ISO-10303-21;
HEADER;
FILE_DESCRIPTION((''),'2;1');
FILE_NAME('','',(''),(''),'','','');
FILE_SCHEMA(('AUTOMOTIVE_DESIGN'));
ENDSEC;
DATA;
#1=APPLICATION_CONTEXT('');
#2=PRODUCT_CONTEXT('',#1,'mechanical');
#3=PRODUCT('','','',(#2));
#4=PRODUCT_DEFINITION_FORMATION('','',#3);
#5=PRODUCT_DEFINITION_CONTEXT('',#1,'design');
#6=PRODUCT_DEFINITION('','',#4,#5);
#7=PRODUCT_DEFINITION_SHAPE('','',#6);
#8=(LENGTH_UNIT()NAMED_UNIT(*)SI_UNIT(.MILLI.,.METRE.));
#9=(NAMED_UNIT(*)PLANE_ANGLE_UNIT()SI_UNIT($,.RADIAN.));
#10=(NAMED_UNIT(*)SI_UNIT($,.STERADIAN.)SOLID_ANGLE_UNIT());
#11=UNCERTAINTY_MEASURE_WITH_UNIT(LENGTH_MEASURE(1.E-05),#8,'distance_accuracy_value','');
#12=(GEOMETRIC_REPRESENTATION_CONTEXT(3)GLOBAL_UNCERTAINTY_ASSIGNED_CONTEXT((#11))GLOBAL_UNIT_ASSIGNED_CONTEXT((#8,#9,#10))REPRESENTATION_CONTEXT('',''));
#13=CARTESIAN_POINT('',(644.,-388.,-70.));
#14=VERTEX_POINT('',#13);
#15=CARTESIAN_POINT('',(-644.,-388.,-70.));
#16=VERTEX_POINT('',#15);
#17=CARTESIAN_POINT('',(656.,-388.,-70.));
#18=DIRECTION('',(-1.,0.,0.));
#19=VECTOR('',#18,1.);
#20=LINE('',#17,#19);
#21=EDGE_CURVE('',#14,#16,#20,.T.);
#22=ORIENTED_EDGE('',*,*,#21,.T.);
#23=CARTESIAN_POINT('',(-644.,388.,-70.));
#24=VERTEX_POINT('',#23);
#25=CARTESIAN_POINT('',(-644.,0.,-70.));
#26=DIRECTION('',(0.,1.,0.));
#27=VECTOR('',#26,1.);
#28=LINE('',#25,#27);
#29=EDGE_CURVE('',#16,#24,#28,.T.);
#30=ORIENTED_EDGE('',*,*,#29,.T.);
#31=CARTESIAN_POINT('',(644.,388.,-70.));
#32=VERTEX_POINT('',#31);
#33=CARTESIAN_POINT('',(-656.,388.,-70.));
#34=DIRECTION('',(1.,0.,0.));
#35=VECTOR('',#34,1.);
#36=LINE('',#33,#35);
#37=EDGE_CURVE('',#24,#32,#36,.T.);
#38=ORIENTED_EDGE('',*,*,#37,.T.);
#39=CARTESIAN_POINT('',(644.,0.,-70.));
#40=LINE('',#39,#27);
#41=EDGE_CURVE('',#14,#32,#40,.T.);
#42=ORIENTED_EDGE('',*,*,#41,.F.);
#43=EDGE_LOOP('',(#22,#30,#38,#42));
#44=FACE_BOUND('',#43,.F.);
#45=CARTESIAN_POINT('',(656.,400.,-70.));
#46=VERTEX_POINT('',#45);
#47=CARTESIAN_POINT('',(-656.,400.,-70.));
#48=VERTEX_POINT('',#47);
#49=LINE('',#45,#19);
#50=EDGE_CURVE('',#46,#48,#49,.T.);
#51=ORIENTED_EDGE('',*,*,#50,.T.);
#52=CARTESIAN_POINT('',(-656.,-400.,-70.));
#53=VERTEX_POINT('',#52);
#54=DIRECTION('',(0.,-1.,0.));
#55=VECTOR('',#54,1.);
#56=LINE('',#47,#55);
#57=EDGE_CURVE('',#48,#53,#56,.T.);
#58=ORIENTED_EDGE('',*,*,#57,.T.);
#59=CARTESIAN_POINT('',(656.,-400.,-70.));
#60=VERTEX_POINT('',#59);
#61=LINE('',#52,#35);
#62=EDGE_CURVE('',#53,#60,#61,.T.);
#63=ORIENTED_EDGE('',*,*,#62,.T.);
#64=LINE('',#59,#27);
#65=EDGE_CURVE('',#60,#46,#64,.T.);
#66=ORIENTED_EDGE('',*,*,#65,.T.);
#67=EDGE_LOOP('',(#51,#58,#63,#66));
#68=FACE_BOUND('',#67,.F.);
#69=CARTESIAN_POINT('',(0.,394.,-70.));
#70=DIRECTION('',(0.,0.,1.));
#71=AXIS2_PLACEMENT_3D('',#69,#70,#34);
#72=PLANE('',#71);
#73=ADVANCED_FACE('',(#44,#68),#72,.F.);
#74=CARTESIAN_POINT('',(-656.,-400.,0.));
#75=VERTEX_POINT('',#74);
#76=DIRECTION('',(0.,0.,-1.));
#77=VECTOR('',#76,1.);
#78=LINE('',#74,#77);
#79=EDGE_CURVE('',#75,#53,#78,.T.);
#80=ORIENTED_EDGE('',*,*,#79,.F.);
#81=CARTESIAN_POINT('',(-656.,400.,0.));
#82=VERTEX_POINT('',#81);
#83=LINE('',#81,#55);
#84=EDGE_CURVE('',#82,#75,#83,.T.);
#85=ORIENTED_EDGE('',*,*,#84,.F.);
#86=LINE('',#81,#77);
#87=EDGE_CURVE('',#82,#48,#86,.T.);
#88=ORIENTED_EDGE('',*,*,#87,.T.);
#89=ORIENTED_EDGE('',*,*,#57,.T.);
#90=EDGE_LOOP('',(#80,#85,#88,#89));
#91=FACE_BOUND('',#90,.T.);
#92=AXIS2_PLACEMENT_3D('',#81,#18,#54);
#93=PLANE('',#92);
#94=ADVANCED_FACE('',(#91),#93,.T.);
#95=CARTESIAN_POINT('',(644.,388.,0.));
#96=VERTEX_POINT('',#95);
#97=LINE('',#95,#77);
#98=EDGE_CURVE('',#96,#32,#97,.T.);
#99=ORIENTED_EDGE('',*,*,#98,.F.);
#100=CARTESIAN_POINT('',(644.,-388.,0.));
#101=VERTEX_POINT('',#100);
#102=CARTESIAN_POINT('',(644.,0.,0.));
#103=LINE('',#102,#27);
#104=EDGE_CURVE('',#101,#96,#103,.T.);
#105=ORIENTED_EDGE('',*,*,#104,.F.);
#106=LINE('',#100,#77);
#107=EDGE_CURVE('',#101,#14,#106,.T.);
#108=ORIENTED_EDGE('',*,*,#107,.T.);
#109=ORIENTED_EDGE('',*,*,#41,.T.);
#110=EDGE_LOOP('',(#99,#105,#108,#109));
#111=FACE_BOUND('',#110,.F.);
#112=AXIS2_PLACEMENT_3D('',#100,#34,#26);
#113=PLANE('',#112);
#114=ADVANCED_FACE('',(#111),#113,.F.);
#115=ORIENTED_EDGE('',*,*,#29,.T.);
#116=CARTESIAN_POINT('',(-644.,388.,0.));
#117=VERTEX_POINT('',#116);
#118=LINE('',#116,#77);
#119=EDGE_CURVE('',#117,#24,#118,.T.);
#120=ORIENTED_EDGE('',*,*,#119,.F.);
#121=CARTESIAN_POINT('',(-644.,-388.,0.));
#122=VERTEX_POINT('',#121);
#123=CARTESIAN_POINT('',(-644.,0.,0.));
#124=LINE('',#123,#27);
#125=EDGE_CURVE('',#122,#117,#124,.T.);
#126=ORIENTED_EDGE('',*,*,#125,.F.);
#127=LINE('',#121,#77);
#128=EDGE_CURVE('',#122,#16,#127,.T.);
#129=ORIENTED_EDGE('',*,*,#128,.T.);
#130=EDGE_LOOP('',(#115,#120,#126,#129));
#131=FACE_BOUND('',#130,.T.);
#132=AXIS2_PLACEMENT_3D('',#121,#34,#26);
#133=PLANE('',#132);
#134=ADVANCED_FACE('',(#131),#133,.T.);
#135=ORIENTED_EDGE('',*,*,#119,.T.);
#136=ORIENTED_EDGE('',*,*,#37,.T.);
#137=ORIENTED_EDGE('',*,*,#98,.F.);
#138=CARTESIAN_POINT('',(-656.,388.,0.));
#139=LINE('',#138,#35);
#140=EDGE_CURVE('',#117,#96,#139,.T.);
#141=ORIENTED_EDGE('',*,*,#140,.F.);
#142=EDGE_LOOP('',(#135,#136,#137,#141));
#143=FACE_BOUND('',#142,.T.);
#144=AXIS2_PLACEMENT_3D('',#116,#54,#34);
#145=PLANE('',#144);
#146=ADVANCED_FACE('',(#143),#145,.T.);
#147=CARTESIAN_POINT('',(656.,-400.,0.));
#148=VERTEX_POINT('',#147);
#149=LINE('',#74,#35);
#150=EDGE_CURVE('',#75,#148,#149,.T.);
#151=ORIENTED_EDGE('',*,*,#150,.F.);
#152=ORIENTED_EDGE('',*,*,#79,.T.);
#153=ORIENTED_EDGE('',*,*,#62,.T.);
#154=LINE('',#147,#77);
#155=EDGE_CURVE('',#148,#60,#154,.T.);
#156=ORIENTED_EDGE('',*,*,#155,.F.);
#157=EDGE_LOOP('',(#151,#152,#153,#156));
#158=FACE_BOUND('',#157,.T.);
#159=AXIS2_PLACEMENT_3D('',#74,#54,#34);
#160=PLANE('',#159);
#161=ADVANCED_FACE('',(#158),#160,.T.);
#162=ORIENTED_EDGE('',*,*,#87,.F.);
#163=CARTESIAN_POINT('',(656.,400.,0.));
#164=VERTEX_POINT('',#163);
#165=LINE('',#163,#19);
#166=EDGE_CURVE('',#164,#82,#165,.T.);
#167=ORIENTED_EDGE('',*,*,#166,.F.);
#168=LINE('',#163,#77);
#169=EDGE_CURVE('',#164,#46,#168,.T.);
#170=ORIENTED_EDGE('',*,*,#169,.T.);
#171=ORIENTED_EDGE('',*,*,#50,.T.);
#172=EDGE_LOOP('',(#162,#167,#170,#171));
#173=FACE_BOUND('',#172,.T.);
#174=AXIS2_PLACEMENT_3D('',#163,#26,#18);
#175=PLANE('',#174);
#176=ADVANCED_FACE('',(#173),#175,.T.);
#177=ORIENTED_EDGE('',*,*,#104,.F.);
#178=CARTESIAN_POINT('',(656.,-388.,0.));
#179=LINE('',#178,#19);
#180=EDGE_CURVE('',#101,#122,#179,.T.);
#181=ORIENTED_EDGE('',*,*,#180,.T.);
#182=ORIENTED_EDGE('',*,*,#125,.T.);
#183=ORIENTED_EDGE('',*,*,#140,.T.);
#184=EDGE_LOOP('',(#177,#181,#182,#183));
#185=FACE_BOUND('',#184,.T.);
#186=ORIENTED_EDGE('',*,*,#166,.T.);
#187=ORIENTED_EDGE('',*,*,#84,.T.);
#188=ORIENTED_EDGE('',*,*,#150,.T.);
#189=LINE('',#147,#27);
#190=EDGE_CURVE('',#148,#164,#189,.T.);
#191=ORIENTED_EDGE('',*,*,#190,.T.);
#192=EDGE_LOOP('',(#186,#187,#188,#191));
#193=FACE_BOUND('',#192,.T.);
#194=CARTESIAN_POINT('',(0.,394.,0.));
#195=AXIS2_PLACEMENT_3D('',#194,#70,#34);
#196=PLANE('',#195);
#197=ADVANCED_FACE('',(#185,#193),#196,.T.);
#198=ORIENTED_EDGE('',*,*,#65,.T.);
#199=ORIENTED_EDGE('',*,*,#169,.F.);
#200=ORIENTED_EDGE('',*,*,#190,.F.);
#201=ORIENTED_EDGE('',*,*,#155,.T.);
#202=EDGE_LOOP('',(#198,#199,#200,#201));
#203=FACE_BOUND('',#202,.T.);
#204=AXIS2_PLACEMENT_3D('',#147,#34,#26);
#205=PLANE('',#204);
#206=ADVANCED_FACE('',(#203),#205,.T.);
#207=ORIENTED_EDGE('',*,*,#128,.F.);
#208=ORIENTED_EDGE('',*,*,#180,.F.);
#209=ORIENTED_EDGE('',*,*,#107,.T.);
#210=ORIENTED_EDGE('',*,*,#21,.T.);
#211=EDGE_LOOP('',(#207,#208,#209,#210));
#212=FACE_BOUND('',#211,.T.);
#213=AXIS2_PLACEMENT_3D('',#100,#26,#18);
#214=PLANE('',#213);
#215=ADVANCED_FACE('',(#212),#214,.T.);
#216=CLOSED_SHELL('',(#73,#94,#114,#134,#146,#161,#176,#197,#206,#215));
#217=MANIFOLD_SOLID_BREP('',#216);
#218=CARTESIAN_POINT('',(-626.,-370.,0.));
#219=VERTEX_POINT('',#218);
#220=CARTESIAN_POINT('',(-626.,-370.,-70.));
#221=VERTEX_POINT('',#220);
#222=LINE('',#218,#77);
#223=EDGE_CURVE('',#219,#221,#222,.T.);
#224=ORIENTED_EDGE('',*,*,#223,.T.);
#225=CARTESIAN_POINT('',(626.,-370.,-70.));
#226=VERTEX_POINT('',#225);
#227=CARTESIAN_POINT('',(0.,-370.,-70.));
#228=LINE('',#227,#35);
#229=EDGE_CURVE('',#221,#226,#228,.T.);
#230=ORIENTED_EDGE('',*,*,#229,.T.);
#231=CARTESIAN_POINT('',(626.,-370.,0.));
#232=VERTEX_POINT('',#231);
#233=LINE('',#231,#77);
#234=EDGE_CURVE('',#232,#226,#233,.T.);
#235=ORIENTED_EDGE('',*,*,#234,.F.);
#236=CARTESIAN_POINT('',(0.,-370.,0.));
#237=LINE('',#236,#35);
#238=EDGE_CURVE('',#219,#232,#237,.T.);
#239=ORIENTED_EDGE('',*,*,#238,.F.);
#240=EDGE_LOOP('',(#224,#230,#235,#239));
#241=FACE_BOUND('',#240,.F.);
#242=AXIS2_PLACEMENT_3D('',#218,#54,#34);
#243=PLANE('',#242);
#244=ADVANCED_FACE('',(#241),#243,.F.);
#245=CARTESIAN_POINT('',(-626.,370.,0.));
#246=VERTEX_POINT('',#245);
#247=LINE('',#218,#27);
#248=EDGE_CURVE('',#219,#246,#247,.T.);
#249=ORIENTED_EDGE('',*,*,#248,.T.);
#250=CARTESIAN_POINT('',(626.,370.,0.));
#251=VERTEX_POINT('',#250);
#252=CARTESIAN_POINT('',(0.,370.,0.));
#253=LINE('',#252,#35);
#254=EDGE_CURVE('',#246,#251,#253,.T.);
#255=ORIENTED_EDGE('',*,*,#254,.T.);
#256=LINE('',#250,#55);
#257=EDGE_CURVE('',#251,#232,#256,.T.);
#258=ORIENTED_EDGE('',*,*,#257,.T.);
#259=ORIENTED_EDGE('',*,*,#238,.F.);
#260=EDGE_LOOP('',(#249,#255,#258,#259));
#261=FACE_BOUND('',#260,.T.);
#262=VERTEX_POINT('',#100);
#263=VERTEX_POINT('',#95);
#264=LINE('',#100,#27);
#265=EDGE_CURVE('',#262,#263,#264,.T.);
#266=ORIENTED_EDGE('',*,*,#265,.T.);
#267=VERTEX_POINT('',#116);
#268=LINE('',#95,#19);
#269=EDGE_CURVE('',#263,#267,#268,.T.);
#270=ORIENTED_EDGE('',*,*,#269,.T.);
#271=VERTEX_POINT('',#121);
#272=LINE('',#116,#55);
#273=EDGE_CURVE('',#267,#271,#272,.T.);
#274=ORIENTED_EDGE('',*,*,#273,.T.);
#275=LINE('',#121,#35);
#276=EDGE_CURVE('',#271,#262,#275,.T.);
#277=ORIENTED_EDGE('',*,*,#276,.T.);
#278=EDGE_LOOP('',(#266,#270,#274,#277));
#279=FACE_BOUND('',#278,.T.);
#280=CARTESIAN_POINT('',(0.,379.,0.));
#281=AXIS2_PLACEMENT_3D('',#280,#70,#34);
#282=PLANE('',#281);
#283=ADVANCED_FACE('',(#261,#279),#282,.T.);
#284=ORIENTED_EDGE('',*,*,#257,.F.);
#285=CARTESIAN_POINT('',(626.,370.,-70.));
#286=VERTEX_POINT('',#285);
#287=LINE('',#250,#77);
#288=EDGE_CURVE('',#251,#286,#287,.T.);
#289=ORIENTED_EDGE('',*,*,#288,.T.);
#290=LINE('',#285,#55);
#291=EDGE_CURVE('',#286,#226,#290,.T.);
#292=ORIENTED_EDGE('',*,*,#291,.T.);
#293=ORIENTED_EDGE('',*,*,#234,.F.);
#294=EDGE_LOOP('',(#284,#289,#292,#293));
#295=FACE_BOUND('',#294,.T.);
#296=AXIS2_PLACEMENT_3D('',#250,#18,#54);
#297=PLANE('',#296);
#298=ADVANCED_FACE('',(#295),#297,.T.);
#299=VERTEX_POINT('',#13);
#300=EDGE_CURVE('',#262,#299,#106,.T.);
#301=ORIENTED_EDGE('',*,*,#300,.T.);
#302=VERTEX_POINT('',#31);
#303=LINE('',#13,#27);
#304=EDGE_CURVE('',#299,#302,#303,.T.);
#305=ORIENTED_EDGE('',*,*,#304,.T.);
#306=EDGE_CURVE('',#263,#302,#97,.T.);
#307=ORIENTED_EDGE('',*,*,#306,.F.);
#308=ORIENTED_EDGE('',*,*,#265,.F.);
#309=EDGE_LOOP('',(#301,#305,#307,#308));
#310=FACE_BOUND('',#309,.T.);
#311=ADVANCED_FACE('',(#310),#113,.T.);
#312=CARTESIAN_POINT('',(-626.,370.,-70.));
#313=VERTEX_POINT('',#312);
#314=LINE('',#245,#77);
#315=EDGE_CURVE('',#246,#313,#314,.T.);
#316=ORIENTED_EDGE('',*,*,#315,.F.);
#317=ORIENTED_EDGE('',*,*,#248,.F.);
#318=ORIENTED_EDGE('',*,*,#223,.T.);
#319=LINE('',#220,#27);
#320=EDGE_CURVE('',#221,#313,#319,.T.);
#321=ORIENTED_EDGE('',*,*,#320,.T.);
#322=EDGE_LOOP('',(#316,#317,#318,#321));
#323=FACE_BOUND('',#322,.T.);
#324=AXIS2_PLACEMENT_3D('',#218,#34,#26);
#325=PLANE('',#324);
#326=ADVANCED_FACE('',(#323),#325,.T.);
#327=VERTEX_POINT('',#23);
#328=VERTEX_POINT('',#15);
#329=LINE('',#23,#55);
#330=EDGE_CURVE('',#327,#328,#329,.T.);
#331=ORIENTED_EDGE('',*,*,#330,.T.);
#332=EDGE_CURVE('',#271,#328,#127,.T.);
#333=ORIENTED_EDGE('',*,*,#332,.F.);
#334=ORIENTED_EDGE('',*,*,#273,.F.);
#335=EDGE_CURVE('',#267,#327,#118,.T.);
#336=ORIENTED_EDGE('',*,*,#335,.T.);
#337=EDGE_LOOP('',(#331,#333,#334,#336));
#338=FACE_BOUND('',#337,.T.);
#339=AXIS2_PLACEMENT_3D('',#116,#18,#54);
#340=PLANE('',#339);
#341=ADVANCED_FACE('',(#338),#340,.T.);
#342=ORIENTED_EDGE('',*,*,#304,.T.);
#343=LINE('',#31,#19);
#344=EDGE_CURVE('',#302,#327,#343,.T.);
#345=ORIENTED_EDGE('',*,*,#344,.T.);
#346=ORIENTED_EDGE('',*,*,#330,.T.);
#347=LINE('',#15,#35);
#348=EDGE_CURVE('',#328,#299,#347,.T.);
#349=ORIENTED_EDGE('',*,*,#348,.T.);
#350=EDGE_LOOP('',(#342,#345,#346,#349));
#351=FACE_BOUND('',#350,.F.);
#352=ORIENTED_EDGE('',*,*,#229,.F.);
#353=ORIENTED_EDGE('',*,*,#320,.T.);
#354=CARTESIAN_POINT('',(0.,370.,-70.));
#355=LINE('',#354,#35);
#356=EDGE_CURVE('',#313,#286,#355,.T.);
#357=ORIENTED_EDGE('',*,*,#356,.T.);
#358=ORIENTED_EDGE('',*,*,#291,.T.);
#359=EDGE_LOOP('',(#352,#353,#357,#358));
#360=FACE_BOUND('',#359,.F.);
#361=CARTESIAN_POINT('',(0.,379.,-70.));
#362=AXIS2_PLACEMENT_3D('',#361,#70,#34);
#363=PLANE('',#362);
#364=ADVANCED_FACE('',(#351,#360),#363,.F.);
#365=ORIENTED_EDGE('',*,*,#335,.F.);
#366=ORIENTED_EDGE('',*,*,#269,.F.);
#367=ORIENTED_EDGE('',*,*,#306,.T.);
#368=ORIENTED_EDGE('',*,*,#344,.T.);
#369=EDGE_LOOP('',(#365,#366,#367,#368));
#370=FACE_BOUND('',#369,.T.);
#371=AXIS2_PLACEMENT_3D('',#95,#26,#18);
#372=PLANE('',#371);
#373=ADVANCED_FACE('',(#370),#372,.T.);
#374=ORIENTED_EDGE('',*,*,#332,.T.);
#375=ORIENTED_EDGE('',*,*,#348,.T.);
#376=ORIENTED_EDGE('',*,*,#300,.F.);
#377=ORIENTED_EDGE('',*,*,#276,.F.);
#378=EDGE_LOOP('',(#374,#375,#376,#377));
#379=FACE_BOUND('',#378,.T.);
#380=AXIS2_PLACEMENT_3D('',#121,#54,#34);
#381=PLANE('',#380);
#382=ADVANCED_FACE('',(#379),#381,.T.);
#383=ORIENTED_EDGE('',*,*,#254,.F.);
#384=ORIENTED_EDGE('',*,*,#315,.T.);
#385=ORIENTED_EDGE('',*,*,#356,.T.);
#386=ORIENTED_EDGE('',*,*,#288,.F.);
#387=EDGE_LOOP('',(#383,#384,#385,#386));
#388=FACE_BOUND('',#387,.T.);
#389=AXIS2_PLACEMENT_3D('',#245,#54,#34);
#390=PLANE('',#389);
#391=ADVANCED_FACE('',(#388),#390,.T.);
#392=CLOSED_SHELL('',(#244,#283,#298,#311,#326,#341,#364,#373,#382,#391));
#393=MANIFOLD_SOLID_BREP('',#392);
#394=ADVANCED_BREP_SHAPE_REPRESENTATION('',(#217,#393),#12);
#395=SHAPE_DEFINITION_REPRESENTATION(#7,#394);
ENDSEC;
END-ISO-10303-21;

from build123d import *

# Parameters (mm, degrees)
F0_W     = 1252
F0_H     = 18
F1_DEPTH = 70
F0_W_2   = 12
F0_H_2   = 776
F2_DEPTH = 70


with BuildPart() as f1:
    # F0 (on Top) → F1 (new body)
    with BuildSketch(Plane.XY):
        with Locations((0, 379)):
            Rectangle(F0_W, F0_H)
        with Locations((0, -379)):
            Rectangle(F0_W, F0_H)
        Polygon((-644, 388), (-644, -388), (-626, -388), (-626, -370), (-626, 370), (-626, 388), align=None)
        Polygon((626, -388), (644, -388), (644, 388), (626, 388), (626, 370), (626, -370), align=None)
    extrude(amount=-F1_DEPTH)


with BuildPart() as f2:
    # F0 (on Top) → F2 (new body)
    with BuildSketch(Plane.XY):
        Polygon((644, 388), (656, 388), (656, 400), (-656, 400), (-656, 388), (-644, 388), (-626, 388), (626, 388), align=None)
        with Locations((-650, 0)):
            Rectangle(F0_W_2, F0_H_2)
        Polygon((-656, -400), (656, -400), (656, -388), (644, -388), (626, -388), (-626, -388), (-644, -388), (-656, -388), align=None)
        with Locations((650, 0)):
            Rectangle(F0_W_2, F0_H_2)
    extrude(amount=-F2_DEPTH)


solid = Compound([f1.part, f2.part])
